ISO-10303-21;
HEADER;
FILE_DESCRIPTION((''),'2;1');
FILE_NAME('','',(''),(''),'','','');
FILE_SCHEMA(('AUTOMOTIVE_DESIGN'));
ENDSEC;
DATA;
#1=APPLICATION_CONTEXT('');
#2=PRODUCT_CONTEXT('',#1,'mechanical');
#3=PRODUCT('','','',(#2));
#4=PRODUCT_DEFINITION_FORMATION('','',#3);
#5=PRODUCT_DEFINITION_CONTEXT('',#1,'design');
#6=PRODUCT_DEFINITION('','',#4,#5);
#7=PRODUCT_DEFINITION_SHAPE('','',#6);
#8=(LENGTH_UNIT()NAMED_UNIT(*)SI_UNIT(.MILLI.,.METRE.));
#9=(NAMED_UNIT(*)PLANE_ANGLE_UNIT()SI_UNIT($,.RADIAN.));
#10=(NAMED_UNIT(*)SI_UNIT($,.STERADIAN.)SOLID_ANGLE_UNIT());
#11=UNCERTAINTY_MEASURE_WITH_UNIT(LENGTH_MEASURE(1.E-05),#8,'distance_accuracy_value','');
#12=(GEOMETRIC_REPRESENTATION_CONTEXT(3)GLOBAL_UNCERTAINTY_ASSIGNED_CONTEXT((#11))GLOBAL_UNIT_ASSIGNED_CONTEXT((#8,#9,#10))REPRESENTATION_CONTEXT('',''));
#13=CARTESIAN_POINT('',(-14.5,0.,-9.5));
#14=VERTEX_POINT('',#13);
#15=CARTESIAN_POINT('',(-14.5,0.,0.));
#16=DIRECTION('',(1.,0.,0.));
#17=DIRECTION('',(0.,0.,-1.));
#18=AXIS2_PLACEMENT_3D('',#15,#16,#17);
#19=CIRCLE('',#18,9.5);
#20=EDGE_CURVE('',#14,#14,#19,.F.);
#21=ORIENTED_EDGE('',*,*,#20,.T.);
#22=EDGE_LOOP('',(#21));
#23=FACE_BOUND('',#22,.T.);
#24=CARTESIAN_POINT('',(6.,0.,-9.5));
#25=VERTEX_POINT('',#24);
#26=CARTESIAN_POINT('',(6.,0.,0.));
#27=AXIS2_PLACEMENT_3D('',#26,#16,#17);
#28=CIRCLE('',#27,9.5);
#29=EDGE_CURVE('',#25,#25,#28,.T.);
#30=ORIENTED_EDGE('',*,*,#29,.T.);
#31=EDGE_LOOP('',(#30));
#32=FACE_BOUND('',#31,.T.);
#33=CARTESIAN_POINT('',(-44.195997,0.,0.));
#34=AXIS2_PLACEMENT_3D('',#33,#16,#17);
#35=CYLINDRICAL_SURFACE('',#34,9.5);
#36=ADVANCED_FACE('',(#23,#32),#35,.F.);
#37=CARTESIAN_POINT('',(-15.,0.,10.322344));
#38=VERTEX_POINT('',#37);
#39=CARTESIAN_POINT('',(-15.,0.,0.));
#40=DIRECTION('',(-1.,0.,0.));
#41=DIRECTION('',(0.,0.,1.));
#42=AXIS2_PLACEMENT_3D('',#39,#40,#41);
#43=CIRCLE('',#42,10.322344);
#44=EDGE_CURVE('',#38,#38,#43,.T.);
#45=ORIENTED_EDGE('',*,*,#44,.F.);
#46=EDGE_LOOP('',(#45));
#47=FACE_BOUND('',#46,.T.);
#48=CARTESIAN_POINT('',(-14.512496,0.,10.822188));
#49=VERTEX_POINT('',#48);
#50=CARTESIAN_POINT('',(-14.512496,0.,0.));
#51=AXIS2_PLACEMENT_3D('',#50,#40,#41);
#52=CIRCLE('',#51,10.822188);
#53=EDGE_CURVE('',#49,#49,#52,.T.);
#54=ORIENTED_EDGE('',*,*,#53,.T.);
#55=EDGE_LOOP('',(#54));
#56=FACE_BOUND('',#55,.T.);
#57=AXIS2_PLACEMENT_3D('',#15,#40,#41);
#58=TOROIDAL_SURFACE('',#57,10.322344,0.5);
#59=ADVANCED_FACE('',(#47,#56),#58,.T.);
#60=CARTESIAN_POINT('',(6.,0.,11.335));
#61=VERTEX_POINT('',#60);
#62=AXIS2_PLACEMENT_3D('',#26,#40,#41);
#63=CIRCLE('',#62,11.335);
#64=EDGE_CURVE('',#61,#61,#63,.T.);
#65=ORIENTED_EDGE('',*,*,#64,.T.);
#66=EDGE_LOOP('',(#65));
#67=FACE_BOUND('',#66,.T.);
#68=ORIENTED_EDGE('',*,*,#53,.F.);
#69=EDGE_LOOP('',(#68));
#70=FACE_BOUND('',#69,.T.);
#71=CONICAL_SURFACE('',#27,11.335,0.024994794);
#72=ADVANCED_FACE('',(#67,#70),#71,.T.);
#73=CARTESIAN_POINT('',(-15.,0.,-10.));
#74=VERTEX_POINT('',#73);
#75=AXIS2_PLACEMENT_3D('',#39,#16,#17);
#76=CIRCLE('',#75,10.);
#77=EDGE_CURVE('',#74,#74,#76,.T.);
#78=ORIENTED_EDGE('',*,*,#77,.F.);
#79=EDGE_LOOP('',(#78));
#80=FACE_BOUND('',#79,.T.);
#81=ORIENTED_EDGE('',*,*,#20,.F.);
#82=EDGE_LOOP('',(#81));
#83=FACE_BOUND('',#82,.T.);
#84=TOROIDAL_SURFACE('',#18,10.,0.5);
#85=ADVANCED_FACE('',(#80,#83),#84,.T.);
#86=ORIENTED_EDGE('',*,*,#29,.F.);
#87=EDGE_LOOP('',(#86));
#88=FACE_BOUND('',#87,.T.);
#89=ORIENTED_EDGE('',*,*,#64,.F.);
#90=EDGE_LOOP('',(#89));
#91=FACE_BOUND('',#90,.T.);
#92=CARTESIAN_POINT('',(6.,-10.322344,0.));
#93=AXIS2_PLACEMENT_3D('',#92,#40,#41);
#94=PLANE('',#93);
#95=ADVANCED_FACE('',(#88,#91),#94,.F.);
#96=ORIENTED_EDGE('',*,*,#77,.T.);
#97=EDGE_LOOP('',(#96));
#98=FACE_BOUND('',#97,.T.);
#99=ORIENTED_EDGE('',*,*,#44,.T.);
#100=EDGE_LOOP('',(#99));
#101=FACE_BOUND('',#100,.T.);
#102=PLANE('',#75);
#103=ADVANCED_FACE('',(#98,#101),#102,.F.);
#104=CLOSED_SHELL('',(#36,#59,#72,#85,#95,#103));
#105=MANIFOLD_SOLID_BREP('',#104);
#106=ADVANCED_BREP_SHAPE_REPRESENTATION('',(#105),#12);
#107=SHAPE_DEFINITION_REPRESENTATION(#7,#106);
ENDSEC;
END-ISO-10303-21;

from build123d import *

# Parameters (mm, degrees)
BOSS_EXTRUDE1_START = -21
SKETCH2_R           = 10.322343774
SKETCH2_R_2         = 9.5
BOSS_EXTRUDE1_DEPTH = 21
FILLET1_R           = 0.5


with BuildPart() as part:
    # Sketch1 → Revolve1 (revolve)
    with BuildSketch(Plane.XY, mode=Mode.PRIVATE) as revolve1_sk:
        with BuildLine():
            Line((6, 11.335), (-14.512496096, 10.822187598))
            ThreePointArc((-14.512496096, 10.822187598), (-14.857944163, 10.671451174), (-15, 10.322343774))
            Line((-15, 10.322343774), (6, 10.322343774))
            Line((6, 10.322343774), (6, 11.335))
        make_face()
    revolve(revolve1_sk.sketch.rotate(Axis((-15.624243475, 0, 0), (1, 0, 0)), 90), axis=Axis((-15.624243475, 0, 0), (1, 0, 0)))

    # Sketch2 → Boss-Extrude1 (add)
    with BuildSketch(Plane(origin=(6, 0, 0), x_dir=(0, 0, -1), z_dir=(1, 0, 0)).offset(BOSS_EXTRUDE1_START)):
        Circle(SKETCH2_R)
        Circle(SKETCH2_R_2, mode=Mode.SUBTRACT)
    extrude(amount=BOSS_EXTRUDE1_DEPTH)

    # Fillet1
    fillet1_edges = [part.edges().sort_by_distance(p)[0] for p in [
        (-15, 0, 9.5),
    ]]
    fillet(fillet1_edges, radius=FILLET1_R)


solid = part.part
